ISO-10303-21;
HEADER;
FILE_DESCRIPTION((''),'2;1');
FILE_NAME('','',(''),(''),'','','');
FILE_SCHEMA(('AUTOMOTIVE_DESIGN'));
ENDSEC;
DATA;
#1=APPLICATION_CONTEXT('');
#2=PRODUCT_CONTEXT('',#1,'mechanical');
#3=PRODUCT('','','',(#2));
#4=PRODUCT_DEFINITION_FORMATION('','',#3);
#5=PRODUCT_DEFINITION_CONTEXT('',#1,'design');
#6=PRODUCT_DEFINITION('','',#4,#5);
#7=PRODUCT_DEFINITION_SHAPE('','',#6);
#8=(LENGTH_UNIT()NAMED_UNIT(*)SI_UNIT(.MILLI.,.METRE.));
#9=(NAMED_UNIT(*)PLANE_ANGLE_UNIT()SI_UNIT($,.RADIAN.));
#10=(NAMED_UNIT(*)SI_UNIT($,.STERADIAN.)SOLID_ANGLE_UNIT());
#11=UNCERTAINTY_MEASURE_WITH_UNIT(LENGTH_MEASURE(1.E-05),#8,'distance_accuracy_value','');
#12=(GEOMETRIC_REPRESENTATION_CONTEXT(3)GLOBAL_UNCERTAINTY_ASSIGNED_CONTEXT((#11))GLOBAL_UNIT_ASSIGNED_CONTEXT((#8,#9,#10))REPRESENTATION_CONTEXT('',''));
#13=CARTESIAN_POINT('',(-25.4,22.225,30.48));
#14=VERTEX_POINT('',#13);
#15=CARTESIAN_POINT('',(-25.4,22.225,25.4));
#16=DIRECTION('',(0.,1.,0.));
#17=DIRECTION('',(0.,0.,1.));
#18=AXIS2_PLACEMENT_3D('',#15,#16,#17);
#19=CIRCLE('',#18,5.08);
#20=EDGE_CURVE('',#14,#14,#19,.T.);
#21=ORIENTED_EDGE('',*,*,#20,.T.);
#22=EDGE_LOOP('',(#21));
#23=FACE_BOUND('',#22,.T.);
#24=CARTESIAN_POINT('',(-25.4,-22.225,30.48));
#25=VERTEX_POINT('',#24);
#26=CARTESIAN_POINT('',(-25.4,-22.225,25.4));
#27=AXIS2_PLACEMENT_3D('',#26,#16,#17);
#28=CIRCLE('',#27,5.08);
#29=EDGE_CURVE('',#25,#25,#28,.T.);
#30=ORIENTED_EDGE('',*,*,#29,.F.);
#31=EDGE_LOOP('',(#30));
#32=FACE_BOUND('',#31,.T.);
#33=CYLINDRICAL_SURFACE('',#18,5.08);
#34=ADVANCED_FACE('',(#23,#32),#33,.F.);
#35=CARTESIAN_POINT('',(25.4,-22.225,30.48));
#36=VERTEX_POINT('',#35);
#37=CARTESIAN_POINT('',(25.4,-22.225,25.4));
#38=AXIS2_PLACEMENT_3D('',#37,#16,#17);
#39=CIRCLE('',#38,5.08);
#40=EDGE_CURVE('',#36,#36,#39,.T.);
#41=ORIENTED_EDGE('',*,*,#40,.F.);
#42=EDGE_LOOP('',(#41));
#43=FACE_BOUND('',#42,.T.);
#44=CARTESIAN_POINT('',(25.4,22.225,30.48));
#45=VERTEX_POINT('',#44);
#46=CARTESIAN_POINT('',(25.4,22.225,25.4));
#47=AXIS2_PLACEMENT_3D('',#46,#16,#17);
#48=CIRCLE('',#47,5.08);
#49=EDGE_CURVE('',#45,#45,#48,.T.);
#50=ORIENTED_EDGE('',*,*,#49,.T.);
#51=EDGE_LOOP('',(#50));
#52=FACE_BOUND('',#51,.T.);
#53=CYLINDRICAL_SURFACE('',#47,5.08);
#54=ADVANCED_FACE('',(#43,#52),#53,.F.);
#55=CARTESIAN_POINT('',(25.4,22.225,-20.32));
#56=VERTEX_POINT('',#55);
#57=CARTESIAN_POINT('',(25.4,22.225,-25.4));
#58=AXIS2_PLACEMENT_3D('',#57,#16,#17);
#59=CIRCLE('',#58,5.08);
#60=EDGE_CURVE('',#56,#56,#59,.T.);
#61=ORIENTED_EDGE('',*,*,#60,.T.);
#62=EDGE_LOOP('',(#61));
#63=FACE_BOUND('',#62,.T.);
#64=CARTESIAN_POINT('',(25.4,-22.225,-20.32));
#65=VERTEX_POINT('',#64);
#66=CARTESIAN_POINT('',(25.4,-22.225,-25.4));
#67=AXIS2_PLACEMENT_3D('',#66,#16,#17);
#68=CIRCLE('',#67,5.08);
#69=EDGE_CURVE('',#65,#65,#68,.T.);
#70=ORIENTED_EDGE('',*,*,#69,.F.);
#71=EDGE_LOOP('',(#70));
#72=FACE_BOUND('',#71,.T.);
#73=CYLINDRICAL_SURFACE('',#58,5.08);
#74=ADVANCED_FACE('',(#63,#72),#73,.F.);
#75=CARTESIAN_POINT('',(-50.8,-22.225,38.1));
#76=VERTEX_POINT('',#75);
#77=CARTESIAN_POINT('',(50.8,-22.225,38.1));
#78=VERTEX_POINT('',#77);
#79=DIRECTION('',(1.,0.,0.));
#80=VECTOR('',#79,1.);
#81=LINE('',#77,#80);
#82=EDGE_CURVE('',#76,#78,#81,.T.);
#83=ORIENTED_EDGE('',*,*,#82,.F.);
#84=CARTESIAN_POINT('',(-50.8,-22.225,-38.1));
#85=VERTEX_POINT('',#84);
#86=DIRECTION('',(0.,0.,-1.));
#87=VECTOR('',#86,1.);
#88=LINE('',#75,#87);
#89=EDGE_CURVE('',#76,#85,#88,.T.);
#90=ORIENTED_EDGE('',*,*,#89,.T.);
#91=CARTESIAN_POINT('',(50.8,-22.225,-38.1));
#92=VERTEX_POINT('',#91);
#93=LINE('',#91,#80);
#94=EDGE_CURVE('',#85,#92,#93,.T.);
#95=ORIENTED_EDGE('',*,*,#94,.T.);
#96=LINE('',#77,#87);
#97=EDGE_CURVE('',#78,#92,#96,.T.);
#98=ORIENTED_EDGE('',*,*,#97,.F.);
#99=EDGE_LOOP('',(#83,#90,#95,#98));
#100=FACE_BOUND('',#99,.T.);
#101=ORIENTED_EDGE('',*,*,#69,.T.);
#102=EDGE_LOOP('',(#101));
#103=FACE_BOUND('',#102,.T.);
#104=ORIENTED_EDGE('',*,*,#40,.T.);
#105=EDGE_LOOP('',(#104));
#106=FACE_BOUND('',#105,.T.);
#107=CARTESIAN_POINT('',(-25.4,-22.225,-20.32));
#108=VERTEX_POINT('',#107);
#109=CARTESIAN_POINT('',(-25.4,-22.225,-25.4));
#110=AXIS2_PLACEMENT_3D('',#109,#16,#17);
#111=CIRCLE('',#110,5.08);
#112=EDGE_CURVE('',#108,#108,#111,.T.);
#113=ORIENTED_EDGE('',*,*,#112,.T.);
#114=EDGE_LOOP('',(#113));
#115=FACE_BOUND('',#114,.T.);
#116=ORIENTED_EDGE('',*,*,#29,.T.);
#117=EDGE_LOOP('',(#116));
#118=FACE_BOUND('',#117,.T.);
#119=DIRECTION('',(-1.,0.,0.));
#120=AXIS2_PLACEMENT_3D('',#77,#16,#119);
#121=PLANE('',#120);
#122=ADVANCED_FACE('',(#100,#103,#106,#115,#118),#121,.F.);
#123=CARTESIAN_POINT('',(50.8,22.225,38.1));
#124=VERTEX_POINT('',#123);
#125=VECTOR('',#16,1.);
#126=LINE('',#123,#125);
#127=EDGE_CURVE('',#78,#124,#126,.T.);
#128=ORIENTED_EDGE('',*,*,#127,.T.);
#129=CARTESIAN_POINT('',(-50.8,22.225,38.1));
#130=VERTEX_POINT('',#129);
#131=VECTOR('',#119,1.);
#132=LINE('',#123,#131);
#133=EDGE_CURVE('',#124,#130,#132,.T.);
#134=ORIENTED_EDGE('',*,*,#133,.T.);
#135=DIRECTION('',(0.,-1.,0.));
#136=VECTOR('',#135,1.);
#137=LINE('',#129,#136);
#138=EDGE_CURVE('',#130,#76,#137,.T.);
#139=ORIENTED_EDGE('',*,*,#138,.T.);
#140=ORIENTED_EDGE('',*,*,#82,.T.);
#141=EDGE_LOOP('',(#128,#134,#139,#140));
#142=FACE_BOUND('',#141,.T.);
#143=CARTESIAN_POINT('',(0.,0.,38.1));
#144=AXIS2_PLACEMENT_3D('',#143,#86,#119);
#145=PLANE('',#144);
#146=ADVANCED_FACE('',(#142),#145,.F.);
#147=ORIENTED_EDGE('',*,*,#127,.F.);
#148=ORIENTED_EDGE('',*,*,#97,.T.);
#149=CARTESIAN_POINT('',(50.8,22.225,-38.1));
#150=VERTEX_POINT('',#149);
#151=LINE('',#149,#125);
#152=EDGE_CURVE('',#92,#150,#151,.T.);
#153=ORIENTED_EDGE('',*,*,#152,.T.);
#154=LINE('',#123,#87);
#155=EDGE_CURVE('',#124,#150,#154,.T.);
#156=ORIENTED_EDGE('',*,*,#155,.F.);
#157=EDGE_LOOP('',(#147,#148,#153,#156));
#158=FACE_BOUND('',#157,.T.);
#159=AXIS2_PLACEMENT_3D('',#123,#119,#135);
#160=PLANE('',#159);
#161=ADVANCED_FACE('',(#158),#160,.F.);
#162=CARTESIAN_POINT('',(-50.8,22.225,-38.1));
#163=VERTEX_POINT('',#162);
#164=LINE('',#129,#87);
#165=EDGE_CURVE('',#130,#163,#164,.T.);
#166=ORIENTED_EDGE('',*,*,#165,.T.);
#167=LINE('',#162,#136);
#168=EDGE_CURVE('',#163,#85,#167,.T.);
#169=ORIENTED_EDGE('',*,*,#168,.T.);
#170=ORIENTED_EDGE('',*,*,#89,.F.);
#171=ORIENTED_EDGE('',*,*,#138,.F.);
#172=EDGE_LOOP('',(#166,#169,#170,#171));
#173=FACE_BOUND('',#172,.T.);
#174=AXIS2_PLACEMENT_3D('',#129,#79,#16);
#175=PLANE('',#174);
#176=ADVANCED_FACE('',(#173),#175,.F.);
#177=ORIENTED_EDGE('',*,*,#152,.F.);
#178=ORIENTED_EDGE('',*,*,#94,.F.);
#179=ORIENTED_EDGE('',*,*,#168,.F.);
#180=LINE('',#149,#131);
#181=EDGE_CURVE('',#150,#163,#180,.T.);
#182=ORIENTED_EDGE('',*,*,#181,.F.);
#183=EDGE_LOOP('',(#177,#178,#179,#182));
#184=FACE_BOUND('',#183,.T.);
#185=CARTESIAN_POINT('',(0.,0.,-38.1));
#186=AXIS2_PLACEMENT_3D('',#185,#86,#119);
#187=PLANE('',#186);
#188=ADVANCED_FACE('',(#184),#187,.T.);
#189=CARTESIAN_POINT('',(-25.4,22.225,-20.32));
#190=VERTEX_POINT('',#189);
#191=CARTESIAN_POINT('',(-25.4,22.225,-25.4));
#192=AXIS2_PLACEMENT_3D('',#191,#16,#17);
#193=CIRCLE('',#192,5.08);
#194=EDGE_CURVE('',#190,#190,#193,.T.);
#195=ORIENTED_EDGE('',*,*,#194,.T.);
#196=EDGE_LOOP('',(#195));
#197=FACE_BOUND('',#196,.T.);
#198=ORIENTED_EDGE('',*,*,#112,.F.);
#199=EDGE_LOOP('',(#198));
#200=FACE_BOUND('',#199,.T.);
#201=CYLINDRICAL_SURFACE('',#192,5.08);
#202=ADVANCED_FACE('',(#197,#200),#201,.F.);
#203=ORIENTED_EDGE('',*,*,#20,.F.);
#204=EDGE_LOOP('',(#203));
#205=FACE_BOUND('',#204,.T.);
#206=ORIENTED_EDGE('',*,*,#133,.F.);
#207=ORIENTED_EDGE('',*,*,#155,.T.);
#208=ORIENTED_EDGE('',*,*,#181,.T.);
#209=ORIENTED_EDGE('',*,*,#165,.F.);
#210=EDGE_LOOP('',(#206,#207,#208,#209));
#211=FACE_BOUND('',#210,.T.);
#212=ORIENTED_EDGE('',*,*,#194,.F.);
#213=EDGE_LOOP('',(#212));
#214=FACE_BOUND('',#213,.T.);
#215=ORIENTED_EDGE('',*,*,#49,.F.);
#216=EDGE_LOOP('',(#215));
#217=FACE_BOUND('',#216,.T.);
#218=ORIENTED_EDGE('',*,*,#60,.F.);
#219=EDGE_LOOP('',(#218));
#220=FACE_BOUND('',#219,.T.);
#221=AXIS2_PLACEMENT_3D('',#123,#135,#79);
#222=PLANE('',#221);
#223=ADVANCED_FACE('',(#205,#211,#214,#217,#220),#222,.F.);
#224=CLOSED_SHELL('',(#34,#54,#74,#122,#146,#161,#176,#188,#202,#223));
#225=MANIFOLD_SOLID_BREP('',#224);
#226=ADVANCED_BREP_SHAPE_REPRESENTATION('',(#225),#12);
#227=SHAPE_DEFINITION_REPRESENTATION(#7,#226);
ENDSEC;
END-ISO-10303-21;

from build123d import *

# Parameters (mm, degrees)
SKETCH1_W               = 101.6
SKETCH1_H               = 44.45
BOSS_EXTRUDE1_DEPTH     = 38.1
F_0_4IN_DIAMETER_HOLE_D = 10.16


with BuildPart() as part:
    # Sketch1 → Boss-Extrude1 (new, symmetric)
    with BuildSketch(Plane.XY):
        Rectangle(SKETCH1_W, SKETCH1_H)
    extrude(amount=BOSS_EXTRUDE1_DEPTH, both=True)

    # 0.4in diameter hole (through all)
    with Locations(Plane(origin=(0, 22.225, 0), x_dir=(1, 0, 0), z_dir=(0, 1, 0))):
        with Locations((-25.4, 25.4), (-25.4, -25.4), (25.4, -25.4), (25.4, 25.4)):
            Hole(F_0_4IN_DIAMETER_HOLE_D / 2)


solid = part.part
